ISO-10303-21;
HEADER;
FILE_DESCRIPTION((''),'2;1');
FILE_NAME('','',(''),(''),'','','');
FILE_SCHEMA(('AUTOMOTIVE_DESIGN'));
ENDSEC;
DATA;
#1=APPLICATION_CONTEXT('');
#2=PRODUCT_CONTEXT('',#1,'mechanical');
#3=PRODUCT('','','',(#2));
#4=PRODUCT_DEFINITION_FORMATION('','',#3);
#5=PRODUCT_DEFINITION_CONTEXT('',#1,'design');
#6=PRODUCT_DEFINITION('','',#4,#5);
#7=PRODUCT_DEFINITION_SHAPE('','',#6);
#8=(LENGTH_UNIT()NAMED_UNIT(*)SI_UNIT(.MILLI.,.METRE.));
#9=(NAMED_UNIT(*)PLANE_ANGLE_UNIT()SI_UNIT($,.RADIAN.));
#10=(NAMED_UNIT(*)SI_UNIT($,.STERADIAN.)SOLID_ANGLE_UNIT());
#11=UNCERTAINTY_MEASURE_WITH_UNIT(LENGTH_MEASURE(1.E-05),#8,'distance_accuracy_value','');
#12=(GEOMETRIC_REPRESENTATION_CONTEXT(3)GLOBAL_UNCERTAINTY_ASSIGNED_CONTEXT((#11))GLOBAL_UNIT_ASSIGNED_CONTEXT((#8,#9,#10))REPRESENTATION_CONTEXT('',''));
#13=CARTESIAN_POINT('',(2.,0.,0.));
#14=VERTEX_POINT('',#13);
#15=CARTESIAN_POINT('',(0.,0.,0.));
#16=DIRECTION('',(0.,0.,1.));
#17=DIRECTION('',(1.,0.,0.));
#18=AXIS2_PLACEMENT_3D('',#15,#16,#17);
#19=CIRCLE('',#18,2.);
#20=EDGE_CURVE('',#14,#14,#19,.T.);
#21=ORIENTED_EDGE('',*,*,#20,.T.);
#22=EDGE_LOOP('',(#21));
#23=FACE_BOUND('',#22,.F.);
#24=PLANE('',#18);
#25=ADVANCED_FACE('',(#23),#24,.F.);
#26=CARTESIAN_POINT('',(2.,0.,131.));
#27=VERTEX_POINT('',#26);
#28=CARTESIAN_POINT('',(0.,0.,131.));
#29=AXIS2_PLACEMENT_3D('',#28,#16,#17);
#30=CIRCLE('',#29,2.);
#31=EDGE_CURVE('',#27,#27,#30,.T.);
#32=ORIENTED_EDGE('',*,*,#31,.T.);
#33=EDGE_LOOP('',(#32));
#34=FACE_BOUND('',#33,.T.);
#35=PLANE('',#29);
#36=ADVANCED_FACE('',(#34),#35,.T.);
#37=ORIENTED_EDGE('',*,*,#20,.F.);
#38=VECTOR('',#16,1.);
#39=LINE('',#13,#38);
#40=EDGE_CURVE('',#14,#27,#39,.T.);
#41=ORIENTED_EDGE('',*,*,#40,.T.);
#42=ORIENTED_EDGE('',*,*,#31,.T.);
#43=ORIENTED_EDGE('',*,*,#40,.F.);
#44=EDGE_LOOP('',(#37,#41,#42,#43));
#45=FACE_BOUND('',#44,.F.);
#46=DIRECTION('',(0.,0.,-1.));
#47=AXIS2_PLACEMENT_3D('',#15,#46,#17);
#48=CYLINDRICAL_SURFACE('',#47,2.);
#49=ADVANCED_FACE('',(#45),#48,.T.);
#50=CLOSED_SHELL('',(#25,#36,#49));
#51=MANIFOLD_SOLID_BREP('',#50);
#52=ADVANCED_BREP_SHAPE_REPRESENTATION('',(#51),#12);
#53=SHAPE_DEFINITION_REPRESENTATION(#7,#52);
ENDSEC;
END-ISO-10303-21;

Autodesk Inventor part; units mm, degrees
ref_plane "YZ Plane" through (0, 0, 0) normal (1, 0, 0) x (0, 1, 0)
ref_plane "XZ Plane" through (0, 0, 0) normal (0, 1, 0) x (-1, 0, 0)
ref_plane "XY Plane" through (0, 0, 0) normal (0, 0, 1) x (1, 0, 0)
sketch "Skizze1" plane through (0, 0, 0) normal (0, 0, 1) x (1, 0, 0)
  circle A0 centre (0, 0) radius 2
  dimension "d0" = 4
extrude "Extrusion1" add sketch "Skizze1" along normal blind 131
properties part number "dribbler bar"
